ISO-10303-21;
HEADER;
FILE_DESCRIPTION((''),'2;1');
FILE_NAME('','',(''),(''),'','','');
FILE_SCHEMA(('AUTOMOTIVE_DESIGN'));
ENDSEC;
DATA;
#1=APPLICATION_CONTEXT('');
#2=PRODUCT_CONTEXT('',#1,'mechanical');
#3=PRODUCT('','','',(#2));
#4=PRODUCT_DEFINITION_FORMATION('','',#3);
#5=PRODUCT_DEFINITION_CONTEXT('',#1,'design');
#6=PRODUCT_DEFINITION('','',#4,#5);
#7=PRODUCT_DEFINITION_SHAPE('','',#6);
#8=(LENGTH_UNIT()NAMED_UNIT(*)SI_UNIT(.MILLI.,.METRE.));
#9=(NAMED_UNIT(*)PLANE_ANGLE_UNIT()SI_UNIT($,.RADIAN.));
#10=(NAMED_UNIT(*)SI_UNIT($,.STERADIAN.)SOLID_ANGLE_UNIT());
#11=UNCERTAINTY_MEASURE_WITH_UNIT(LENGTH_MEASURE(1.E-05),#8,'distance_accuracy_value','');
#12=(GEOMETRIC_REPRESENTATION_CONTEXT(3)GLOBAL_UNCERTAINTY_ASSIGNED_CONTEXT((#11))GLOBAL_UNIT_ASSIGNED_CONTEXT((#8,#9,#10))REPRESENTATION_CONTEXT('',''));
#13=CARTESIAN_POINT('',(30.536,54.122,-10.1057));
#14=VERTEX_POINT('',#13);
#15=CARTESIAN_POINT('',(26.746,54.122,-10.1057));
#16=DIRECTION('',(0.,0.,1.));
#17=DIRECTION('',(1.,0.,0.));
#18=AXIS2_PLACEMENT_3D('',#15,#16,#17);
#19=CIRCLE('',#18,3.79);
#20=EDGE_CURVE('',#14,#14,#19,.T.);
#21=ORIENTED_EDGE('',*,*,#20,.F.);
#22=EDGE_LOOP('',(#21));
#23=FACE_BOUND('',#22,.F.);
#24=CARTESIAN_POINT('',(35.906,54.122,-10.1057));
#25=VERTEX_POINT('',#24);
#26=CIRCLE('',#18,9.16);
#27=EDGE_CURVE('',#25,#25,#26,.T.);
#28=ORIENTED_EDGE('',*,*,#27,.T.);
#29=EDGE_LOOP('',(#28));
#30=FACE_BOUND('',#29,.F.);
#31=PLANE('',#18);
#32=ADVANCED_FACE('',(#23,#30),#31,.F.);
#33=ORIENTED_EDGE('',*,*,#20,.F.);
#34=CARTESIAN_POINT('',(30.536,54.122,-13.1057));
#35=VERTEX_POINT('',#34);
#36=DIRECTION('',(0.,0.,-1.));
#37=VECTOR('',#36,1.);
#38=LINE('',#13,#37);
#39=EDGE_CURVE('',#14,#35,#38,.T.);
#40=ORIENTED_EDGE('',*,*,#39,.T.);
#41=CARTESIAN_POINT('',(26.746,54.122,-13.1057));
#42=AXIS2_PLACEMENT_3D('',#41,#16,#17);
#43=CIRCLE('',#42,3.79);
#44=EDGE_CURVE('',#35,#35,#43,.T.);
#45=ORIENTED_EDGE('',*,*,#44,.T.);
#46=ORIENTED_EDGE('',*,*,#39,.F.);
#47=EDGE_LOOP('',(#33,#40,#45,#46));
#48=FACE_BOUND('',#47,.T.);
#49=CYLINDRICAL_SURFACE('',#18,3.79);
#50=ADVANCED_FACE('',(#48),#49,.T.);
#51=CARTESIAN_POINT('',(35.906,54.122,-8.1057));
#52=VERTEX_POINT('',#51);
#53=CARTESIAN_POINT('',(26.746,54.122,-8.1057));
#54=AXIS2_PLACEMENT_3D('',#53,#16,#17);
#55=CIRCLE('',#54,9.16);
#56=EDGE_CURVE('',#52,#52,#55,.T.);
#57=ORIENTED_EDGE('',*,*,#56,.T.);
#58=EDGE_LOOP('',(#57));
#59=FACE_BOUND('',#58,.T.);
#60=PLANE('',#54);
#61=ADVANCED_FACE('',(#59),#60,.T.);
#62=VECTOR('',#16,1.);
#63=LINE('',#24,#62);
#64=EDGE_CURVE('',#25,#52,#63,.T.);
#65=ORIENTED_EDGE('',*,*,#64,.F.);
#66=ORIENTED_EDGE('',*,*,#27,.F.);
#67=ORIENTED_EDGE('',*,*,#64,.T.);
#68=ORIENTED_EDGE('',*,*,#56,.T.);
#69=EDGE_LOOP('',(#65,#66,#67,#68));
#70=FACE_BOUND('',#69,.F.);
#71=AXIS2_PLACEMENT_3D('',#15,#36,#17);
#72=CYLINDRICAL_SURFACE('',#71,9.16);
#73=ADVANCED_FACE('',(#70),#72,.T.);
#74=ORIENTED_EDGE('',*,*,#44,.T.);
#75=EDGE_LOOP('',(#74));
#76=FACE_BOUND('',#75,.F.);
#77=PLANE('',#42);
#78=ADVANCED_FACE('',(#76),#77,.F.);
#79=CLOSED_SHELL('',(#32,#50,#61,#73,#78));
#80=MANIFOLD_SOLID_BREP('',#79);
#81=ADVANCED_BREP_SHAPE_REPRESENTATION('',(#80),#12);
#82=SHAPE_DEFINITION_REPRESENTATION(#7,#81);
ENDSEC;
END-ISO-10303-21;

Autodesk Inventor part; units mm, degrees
ref_plane "YZ Plane" through (0, 0, 0) normal (1, 0, 0) x (0, 1, 0)
ref_plane "XZ Plane" through (0, 0, 0) normal (0, 1, 0) x (-1, 0, 0)
ref_plane "XY Plane" through (0, 0, 0) normal (0, 0, 1) x (1, 0, 0)
ref_plane "Work Plane1" through (26.746, 54.122, -10.1057) normal (0, 0, 1) x (1, 0, 0)
sketch "Sketch1" plane through (26.746, 54.122, -10.1057) normal (0, 0, 1) x (1, 0, 0)
  circle A0 centre (0, 0) radius 3.86 construction
  circle A1 centre (0, 0) radius 3.79
  circle A2 centre (0, 0) radius 9.16 projected
  point P0 (-26.746, -54.122)
  dimension "d0" = 0.07
extrude "Extrusion1" add sketch "Sketch1" along normal blind 2 contours A1 | A2
extrude "Extrusion2" add sketch "Sketch1" against normal blind 3 contours A1
properties part number "pinEndCap_V3"
